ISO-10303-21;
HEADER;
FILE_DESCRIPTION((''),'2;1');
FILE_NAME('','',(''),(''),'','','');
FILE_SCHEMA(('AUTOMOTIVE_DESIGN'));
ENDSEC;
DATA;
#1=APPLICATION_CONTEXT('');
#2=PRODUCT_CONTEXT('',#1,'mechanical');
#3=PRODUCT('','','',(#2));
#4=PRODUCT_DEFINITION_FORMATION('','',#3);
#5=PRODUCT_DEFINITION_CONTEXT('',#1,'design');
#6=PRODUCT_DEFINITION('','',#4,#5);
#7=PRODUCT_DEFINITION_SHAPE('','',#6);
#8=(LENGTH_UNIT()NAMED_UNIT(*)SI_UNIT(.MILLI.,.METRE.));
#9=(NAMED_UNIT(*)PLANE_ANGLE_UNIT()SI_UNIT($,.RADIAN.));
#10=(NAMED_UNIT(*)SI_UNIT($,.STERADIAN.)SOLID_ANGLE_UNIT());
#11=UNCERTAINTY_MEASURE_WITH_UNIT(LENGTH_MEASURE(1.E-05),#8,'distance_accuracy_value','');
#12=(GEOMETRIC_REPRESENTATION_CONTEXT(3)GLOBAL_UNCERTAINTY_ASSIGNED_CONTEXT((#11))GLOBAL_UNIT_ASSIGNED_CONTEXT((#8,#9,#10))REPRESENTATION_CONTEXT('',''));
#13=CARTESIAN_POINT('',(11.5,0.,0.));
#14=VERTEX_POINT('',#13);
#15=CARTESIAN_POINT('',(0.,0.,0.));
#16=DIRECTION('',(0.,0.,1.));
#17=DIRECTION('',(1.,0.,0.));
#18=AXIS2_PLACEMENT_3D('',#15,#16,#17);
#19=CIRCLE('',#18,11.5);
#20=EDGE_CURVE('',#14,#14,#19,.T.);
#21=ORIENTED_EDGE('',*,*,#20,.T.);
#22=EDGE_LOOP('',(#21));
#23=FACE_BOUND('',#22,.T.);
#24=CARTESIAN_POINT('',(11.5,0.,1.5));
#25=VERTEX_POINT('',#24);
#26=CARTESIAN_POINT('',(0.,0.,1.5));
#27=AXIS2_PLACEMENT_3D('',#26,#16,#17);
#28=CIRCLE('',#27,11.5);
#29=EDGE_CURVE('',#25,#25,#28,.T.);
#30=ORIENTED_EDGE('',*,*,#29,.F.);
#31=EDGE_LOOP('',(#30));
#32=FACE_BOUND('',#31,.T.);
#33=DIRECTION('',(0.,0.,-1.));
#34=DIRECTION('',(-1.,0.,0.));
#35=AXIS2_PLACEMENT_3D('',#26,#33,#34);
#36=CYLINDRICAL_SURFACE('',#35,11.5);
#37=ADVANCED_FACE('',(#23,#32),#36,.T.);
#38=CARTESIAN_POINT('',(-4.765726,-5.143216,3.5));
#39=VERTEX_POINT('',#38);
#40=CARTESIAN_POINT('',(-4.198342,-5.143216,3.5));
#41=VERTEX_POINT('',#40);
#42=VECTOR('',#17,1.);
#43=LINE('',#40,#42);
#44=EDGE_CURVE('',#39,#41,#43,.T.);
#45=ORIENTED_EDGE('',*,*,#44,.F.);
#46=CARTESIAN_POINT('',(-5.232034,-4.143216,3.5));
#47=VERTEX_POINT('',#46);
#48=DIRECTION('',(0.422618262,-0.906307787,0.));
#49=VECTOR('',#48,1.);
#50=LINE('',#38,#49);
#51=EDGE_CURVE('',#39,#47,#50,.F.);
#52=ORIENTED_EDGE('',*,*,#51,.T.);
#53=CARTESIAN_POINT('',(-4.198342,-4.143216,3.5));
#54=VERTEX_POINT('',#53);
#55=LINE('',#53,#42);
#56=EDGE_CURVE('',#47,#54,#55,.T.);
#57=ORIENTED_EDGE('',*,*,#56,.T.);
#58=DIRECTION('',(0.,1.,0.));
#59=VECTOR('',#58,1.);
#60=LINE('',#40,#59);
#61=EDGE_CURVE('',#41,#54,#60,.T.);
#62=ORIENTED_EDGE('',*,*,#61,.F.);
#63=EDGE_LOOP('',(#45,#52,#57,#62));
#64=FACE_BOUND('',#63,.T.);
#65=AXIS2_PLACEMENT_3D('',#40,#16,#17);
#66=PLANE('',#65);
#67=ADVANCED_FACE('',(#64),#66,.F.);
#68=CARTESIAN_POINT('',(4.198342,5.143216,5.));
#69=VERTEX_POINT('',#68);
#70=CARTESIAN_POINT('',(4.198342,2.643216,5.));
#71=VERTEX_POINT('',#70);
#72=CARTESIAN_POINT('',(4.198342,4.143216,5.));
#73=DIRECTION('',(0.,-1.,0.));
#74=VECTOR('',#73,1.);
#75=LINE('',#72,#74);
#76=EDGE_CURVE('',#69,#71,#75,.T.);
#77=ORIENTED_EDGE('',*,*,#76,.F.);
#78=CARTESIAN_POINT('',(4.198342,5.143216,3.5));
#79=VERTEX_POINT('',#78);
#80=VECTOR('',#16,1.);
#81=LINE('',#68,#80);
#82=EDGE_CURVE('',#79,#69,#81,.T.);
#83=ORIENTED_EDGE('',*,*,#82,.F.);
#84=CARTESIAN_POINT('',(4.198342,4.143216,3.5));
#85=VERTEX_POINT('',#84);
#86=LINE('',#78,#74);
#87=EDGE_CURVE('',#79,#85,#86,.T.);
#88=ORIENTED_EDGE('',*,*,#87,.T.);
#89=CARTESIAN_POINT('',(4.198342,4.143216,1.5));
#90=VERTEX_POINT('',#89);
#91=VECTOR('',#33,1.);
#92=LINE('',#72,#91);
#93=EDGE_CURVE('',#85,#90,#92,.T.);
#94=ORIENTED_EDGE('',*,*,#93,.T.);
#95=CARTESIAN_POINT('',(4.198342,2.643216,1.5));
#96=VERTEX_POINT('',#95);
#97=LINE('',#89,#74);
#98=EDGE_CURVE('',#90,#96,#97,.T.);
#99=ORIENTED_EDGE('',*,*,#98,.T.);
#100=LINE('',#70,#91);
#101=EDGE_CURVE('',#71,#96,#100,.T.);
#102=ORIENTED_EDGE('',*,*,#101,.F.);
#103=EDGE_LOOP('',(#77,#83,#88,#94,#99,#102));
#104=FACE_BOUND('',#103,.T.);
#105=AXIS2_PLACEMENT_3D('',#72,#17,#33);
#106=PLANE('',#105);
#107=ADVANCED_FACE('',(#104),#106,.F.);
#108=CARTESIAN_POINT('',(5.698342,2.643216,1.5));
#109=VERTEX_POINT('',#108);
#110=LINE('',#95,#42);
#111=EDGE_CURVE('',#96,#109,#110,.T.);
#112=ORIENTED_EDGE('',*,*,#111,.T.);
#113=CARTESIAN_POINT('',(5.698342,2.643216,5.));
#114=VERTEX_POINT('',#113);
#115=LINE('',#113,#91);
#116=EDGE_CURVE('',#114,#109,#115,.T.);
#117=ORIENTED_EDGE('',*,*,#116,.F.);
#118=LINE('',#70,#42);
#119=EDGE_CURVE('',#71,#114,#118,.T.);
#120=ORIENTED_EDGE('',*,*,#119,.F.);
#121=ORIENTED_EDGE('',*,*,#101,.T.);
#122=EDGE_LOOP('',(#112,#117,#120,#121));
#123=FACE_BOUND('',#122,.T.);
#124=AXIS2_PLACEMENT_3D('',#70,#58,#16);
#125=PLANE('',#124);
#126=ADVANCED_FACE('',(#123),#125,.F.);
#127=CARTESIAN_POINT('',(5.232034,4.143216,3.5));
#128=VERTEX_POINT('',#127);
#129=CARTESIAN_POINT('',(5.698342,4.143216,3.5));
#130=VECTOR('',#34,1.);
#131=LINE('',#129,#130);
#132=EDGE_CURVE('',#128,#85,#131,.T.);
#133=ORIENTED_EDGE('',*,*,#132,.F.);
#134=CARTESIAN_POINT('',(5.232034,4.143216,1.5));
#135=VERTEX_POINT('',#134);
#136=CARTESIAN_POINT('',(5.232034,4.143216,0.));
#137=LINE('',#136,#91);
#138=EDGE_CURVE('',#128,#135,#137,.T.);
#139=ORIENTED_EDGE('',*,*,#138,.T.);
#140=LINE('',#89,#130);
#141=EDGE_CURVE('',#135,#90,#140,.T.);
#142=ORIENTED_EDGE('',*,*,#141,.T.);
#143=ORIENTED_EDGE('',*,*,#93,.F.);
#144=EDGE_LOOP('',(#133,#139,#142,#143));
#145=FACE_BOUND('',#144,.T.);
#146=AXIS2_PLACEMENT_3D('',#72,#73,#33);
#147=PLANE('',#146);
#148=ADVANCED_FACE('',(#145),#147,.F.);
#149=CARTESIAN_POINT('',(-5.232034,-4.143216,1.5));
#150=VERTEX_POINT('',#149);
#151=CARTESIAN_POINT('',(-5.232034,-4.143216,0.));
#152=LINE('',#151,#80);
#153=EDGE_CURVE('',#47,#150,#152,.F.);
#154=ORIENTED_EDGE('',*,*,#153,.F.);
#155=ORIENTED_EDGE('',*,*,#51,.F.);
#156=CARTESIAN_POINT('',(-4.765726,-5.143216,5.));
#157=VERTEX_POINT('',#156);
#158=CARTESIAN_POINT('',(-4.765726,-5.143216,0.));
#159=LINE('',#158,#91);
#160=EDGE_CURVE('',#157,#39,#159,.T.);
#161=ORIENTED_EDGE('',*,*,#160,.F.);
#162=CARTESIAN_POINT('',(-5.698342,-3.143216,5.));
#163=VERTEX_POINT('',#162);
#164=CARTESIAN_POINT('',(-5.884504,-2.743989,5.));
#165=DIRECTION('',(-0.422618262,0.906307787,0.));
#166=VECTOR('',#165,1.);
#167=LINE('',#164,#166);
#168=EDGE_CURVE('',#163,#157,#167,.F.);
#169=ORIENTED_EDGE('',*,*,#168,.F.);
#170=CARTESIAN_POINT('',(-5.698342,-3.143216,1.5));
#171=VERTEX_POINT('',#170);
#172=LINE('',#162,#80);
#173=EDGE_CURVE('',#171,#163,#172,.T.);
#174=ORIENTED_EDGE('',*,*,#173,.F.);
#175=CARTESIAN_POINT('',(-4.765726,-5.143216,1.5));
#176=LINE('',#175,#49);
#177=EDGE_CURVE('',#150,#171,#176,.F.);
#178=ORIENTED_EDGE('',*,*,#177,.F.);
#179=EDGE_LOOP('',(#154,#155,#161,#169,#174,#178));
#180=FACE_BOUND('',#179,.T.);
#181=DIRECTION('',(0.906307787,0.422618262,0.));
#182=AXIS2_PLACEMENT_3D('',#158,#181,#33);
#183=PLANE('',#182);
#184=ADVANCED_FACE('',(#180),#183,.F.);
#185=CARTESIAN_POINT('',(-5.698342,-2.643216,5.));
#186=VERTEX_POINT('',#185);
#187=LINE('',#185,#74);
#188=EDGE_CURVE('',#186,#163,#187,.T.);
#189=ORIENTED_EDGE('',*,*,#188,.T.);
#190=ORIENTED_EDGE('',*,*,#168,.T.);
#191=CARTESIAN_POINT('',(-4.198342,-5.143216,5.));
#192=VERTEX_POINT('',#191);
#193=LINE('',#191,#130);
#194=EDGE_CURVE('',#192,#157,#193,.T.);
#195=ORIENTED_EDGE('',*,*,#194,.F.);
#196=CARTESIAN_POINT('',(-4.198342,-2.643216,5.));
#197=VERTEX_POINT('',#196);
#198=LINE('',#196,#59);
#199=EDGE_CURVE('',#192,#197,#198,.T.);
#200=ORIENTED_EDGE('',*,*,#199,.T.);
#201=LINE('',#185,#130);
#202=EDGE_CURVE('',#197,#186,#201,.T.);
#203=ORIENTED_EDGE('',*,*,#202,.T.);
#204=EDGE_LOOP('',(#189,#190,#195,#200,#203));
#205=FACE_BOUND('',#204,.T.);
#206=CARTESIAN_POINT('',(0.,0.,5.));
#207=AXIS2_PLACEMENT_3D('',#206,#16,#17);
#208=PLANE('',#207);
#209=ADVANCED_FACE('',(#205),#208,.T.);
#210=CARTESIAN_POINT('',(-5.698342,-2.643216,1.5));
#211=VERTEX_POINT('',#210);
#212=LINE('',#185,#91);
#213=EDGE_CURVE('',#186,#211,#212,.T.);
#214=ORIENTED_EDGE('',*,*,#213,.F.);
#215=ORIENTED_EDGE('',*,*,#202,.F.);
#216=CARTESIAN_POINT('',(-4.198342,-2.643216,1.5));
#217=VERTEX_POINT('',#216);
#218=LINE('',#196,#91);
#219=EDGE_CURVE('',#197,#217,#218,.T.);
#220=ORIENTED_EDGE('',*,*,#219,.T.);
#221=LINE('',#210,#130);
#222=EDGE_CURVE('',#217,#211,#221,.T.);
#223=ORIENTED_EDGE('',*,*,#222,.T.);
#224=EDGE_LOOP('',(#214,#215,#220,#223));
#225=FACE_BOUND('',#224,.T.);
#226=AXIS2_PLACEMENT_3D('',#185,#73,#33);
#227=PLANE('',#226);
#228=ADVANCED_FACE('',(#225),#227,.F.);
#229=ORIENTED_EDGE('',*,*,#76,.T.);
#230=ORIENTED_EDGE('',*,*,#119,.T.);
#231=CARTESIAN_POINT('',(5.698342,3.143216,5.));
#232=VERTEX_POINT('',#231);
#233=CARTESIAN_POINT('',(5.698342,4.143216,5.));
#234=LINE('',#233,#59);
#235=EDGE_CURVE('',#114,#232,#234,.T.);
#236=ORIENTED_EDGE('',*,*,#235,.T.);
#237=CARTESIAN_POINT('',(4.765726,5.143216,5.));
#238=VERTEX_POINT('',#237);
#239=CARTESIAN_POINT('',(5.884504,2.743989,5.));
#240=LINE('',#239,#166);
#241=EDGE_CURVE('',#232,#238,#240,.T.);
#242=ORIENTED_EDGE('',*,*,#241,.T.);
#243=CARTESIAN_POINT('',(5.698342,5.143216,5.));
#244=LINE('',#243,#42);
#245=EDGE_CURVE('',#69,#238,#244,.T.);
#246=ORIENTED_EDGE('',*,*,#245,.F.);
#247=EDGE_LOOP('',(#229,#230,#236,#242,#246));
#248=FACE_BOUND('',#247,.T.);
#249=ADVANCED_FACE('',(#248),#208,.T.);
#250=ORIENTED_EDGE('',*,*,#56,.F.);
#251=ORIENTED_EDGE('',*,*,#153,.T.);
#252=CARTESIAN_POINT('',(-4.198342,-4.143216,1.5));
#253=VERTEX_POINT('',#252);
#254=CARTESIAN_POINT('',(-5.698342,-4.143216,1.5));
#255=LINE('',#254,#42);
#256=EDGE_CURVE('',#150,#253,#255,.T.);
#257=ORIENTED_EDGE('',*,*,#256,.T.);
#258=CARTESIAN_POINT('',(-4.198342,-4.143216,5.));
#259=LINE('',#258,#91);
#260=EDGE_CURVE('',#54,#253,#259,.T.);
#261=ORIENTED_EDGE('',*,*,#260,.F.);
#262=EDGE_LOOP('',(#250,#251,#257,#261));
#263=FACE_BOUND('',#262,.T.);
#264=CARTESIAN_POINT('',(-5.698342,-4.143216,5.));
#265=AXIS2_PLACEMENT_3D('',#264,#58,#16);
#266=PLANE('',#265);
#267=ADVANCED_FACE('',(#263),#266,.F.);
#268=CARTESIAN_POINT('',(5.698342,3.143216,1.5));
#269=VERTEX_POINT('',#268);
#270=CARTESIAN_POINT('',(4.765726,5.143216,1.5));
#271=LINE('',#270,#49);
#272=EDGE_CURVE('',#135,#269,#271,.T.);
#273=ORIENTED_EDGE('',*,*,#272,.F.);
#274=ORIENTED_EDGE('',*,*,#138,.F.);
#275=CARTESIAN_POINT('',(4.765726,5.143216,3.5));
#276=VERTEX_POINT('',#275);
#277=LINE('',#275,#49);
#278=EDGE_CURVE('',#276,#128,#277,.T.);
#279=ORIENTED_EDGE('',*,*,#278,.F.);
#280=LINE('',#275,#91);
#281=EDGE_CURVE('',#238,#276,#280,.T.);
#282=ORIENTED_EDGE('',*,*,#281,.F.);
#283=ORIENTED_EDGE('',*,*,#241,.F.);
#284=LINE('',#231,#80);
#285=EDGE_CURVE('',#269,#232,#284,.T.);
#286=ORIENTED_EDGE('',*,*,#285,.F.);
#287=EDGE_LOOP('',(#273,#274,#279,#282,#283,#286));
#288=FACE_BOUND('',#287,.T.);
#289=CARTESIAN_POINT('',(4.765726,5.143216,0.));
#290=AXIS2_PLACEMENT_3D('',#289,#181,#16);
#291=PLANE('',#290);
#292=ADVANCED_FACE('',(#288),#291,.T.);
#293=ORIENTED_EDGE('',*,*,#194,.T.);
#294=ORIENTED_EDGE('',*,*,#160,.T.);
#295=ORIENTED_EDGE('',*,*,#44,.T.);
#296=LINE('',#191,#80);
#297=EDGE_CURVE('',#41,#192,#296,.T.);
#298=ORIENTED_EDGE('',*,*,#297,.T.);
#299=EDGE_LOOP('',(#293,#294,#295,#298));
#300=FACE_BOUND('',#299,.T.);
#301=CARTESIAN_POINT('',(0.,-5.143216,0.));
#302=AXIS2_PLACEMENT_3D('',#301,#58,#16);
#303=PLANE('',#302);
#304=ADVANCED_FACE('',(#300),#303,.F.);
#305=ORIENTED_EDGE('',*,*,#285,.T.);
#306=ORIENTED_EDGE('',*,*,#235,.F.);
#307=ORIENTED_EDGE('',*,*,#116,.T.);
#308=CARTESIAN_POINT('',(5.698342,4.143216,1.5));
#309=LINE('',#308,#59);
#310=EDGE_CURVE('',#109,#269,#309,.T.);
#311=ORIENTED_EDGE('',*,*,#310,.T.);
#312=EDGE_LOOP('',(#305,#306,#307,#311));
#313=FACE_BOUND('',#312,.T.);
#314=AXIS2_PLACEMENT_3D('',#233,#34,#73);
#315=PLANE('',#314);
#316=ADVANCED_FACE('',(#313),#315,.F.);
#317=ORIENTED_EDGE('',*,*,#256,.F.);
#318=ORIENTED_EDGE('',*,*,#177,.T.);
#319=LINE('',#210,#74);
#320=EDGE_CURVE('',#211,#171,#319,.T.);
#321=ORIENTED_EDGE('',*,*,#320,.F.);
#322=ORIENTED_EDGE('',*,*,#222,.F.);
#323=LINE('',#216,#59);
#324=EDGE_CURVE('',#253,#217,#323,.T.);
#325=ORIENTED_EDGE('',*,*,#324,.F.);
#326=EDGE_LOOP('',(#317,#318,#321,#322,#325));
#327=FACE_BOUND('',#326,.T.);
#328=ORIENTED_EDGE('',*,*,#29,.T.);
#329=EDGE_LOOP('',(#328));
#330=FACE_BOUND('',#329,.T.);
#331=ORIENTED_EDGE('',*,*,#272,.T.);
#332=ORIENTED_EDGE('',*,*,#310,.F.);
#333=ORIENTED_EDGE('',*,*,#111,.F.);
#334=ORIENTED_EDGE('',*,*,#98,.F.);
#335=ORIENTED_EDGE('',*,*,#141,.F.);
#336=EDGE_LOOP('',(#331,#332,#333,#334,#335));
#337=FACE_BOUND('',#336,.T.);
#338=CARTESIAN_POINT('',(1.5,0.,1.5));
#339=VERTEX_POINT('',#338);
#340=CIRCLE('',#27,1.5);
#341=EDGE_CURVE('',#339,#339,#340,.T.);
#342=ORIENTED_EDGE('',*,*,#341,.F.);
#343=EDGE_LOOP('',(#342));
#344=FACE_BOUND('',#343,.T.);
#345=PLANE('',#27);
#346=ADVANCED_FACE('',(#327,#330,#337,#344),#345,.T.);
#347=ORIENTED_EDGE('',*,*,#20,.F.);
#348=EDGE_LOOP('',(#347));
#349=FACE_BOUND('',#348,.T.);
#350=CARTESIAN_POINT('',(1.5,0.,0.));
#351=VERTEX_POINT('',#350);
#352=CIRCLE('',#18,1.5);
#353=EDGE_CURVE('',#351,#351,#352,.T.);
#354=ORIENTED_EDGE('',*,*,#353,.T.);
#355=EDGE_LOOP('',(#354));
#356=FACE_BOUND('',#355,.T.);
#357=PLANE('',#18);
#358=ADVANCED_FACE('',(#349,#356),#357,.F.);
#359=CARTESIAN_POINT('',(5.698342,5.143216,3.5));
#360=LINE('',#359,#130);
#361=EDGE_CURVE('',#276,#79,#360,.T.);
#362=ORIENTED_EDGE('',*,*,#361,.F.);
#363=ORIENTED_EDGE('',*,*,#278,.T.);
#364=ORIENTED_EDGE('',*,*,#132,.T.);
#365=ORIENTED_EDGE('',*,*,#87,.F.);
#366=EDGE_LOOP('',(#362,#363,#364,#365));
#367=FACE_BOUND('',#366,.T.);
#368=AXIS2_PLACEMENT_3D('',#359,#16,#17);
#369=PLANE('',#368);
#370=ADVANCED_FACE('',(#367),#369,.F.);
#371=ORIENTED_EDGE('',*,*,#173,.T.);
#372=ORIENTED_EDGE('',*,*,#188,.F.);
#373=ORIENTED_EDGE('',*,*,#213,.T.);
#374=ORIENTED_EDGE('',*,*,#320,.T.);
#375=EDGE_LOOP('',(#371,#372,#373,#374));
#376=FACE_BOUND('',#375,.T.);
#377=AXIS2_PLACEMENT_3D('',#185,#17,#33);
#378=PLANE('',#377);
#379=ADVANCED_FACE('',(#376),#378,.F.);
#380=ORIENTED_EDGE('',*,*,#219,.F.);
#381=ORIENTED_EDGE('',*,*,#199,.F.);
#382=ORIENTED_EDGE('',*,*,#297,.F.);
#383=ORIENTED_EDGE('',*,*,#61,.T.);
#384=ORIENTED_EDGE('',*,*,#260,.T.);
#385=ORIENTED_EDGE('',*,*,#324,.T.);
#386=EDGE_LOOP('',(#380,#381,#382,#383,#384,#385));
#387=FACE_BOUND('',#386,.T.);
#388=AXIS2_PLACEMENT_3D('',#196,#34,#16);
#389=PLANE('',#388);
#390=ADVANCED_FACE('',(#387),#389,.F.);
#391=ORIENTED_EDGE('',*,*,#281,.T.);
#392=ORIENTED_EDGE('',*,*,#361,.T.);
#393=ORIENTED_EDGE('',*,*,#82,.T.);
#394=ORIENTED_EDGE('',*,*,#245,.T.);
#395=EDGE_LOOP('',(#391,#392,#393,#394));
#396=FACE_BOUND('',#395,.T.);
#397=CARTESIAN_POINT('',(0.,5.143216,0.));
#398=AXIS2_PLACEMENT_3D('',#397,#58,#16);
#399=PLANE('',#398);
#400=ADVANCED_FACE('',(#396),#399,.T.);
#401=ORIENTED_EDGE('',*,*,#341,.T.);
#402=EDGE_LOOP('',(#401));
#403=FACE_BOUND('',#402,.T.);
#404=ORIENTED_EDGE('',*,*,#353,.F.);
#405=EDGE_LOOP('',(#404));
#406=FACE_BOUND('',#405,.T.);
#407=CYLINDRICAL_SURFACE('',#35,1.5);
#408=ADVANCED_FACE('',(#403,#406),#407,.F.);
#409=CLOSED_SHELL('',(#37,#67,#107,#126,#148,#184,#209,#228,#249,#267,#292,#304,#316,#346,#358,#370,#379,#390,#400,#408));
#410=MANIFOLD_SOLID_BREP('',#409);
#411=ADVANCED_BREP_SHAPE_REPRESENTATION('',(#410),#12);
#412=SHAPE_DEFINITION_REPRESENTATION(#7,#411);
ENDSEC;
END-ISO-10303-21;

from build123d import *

# Parameters (mm, degrees)
SKETCH1_R           = 11.5
SKETCH1_R_2         = 1.5
BOSS_EXTRUDE1_DEPTH = 1.5
SKETCH2_W           = 1.5
SKETCH2_H           = 1.5
BOSS_EXTRUDE3_DEPTH = 3.5
SKETCH3_W           = 1.5
SKETCH3_H           = 1.5
BOSS_EXTRUDE4_DEPTH = 1
CHAMFER2_SIZE       = 2
CHAMFER2_SIZE2      = 0.932615316
SKETCH5_W           = 1.5
SKETCH5_H           = 1.5
BOSS_EXTRUDE6_DEPTH = 1
CHAMFER5_SIZE       = 2
CHAMFER5_SIZE2      = 0.932615316


with BuildPart() as part:
    # Sketch1 → Boss-Extrude1 (new body)
    with BuildSketch(Plane.XY):
        Circle(SKETCH1_R)
        Circle(SKETCH1_R_2, mode=Mode.SUBTRACT)
    extrude(amount=BOSS_EXTRUDE1_DEPTH)

    # Sketch2 → Boss-Extrude3 (add)
    with BuildSketch(Plane.XY.offset(1.5)):
        with Locations((4.948341792, 3.393215807)):
            Rectangle(SKETCH2_W, SKETCH2_H)
        with Locations((-4.948341792, -3.393215807)):
            Rectangle(SKETCH2_W, SKETCH2_H)
    extrude(amount=BOSS_EXTRUDE3_DEPTH)

    # Sketch3 → Boss-Extrude4 (add)
    with BuildSketch(Plane(origin=(0, 4.143215807, 0), x_dir=(1, 0, 0), z_dir=(0, 1, 0))):
        with Locations((4.948341792, -4.25)):
            Rectangle(SKETCH3_W, SKETCH3_H)
    extrude(amount=BOSS_EXTRUDE4_DEPTH)

    # Chamfer2
    chamfer2_edges = [part.edges().sort_by_distance(p)[0] for p in [
        (5.698341792, 5.143215807, 4.25),
    ]]
    chamfer2_side = [part.faces().sort_by_distance(p)[0] for p in [
        (5.698341792, 3.670993585, 3.472222222),
    ]]
    chamfer(chamfer2_edges, length=CHAMFER2_SIZE, length2=CHAMFER2_SIZE2, reference=chamfer2_side[0])

    # Sketch5 → Boss-Extrude6 (add)
    with BuildSketch(Plane.XZ.offset(4.143215807)):
        with Locations((-4.948341792, 4.25)):
            Rectangle(SKETCH5_W, SKETCH5_H)
    extrude(amount=BOSS_EXTRUDE6_DEPTH)

    # Chamfer5
    chamfer5_edges = [part.edges().sort_by_distance(p)[0] for p in [
        (-5.698341792, -5.143215807, 4.25),
    ]]
    chamfer5_side = [part.faces().sort_by_distance(p)[0] for p in [
        (-5.698341792, -3.670993585, 3.472222222),
    ]]
    chamfer(chamfer5_edges, length=CHAMFER5_SIZE, length2=CHAMFER5_SIZE2, reference=chamfer5_side[0])


solid = part.part
